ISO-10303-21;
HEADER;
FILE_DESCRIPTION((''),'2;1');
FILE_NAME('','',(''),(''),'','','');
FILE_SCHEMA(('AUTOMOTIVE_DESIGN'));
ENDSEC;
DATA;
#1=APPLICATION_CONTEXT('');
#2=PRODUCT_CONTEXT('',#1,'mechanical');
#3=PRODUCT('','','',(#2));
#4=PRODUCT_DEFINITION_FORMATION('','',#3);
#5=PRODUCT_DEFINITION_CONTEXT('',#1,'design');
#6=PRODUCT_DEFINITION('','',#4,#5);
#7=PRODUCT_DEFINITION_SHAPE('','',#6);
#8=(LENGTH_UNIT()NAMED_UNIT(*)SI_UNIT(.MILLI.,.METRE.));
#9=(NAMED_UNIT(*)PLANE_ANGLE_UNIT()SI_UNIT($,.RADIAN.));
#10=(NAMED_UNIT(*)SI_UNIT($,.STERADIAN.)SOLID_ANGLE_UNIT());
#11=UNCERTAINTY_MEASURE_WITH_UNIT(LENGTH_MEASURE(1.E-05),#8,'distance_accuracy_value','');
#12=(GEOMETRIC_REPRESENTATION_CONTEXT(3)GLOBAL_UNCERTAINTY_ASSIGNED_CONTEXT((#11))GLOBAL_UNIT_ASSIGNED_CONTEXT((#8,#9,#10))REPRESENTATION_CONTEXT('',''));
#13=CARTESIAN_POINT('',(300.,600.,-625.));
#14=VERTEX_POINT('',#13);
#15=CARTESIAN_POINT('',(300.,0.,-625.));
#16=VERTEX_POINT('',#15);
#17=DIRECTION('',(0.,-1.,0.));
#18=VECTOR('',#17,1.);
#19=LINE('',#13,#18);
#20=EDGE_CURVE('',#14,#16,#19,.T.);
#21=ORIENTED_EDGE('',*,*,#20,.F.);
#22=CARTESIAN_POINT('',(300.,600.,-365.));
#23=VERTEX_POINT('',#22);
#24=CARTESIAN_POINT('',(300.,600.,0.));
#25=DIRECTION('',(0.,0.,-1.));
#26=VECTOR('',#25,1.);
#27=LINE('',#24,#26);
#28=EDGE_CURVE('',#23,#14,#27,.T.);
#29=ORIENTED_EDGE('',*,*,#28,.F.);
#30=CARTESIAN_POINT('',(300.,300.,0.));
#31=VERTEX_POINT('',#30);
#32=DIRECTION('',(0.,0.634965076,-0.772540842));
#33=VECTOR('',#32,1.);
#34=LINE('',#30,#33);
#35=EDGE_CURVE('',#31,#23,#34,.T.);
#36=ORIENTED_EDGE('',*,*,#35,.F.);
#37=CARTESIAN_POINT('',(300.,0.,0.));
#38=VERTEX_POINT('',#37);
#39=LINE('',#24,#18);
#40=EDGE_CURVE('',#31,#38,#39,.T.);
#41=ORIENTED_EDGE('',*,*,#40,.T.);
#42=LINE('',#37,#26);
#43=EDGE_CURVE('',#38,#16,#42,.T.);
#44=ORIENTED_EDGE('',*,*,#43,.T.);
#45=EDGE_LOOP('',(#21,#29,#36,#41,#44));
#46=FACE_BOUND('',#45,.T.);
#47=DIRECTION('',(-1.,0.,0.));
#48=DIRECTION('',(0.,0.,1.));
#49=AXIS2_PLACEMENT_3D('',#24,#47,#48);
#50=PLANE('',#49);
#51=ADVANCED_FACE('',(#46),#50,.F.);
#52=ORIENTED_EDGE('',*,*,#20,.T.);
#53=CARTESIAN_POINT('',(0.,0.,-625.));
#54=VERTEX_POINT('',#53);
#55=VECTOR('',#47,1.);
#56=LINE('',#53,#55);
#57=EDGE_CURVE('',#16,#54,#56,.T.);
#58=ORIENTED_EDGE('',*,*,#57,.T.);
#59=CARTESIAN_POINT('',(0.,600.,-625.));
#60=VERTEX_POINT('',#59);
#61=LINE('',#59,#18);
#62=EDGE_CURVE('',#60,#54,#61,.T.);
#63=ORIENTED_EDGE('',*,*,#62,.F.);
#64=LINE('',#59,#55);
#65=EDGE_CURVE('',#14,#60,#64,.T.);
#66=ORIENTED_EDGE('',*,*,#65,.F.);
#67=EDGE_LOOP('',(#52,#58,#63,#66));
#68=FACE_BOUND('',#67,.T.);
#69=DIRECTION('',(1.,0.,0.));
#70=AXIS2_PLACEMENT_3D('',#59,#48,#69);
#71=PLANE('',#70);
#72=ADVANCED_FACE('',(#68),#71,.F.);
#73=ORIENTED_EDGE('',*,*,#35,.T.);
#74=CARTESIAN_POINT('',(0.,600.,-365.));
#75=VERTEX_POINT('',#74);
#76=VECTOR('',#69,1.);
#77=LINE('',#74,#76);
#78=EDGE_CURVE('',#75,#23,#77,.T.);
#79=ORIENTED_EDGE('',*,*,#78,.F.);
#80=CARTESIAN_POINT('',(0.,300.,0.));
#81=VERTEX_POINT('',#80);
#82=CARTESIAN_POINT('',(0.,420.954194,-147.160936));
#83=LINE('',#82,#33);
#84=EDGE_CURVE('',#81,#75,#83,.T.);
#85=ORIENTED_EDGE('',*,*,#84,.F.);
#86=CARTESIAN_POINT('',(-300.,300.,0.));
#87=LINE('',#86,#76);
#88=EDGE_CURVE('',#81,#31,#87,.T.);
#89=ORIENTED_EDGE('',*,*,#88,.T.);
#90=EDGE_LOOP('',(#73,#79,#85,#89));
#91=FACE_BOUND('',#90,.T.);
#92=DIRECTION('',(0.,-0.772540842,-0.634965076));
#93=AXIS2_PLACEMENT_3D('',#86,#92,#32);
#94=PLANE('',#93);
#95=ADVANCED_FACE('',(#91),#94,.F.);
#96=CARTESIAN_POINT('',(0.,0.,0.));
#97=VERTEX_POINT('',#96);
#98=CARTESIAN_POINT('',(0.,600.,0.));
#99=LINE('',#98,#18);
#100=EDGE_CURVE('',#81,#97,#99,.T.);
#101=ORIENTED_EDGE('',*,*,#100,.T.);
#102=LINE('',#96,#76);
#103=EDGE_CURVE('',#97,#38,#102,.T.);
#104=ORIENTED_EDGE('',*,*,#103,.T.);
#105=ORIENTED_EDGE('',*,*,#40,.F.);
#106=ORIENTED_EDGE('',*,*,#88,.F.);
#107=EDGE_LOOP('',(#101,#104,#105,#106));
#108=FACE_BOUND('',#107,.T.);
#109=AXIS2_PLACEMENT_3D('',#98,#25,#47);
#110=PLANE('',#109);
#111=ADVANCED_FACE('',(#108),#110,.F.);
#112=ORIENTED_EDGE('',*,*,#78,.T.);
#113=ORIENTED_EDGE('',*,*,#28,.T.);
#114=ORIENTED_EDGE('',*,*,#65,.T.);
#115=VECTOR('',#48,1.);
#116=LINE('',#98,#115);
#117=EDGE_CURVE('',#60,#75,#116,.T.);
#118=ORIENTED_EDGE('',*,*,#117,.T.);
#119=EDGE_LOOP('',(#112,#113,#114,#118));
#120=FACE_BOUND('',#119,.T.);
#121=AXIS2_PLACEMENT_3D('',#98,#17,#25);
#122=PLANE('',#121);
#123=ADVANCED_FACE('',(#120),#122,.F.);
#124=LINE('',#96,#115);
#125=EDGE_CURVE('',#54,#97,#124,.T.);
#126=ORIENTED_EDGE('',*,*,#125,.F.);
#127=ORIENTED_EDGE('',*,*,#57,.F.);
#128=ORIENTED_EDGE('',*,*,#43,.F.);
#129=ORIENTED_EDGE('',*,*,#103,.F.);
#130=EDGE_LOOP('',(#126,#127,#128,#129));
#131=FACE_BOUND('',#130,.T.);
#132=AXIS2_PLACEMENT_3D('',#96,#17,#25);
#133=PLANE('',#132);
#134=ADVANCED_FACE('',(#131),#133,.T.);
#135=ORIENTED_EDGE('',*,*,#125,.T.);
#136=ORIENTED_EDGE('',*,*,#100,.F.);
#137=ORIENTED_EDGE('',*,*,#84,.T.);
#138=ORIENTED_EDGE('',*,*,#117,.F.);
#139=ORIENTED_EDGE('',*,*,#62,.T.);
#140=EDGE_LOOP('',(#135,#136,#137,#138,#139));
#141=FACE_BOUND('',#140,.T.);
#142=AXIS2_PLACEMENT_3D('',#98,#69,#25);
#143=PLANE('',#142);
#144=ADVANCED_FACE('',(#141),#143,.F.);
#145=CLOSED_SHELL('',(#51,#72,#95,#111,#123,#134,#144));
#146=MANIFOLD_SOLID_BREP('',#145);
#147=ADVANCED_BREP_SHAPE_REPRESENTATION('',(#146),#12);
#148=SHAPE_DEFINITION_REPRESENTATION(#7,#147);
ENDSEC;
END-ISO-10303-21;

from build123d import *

# Parameters (mm, degrees)
SKETCH_1_W          = 300
SKETCH_1_H          = 625
EXTRUDE_1_DEPTH     = 600
CUT_EXTRUDE_1_DEPTH = 600


with BuildPart() as part:
    # 草图1 → 凸台-拉伸1 (new body)
    with BuildSketch(Plane(origin=(0, 0, 0), x_dir=(1, 0, 0), z_dir=(0, 1, 0))):
        with Locations((150, 312.5)):
            Rectangle(SKETCH_1_W, SKETCH_1_H)
    extrude(amount=EXTRUDE_1_DEPTH)

    # 草图2 → 切除-拉伸1 (cut)
    with BuildSketch(Plane(origin=(300, 0, 0), x_dir=(0, 0, -1), z_dir=(1, 0, 0))):
        Polygon((365, 600), (0, 600), (0, 300), align=None)
    extrude(amount=-CUT_EXTRUDE_1_DEPTH, mode=Mode.SUBTRACT)


solid = part.part
